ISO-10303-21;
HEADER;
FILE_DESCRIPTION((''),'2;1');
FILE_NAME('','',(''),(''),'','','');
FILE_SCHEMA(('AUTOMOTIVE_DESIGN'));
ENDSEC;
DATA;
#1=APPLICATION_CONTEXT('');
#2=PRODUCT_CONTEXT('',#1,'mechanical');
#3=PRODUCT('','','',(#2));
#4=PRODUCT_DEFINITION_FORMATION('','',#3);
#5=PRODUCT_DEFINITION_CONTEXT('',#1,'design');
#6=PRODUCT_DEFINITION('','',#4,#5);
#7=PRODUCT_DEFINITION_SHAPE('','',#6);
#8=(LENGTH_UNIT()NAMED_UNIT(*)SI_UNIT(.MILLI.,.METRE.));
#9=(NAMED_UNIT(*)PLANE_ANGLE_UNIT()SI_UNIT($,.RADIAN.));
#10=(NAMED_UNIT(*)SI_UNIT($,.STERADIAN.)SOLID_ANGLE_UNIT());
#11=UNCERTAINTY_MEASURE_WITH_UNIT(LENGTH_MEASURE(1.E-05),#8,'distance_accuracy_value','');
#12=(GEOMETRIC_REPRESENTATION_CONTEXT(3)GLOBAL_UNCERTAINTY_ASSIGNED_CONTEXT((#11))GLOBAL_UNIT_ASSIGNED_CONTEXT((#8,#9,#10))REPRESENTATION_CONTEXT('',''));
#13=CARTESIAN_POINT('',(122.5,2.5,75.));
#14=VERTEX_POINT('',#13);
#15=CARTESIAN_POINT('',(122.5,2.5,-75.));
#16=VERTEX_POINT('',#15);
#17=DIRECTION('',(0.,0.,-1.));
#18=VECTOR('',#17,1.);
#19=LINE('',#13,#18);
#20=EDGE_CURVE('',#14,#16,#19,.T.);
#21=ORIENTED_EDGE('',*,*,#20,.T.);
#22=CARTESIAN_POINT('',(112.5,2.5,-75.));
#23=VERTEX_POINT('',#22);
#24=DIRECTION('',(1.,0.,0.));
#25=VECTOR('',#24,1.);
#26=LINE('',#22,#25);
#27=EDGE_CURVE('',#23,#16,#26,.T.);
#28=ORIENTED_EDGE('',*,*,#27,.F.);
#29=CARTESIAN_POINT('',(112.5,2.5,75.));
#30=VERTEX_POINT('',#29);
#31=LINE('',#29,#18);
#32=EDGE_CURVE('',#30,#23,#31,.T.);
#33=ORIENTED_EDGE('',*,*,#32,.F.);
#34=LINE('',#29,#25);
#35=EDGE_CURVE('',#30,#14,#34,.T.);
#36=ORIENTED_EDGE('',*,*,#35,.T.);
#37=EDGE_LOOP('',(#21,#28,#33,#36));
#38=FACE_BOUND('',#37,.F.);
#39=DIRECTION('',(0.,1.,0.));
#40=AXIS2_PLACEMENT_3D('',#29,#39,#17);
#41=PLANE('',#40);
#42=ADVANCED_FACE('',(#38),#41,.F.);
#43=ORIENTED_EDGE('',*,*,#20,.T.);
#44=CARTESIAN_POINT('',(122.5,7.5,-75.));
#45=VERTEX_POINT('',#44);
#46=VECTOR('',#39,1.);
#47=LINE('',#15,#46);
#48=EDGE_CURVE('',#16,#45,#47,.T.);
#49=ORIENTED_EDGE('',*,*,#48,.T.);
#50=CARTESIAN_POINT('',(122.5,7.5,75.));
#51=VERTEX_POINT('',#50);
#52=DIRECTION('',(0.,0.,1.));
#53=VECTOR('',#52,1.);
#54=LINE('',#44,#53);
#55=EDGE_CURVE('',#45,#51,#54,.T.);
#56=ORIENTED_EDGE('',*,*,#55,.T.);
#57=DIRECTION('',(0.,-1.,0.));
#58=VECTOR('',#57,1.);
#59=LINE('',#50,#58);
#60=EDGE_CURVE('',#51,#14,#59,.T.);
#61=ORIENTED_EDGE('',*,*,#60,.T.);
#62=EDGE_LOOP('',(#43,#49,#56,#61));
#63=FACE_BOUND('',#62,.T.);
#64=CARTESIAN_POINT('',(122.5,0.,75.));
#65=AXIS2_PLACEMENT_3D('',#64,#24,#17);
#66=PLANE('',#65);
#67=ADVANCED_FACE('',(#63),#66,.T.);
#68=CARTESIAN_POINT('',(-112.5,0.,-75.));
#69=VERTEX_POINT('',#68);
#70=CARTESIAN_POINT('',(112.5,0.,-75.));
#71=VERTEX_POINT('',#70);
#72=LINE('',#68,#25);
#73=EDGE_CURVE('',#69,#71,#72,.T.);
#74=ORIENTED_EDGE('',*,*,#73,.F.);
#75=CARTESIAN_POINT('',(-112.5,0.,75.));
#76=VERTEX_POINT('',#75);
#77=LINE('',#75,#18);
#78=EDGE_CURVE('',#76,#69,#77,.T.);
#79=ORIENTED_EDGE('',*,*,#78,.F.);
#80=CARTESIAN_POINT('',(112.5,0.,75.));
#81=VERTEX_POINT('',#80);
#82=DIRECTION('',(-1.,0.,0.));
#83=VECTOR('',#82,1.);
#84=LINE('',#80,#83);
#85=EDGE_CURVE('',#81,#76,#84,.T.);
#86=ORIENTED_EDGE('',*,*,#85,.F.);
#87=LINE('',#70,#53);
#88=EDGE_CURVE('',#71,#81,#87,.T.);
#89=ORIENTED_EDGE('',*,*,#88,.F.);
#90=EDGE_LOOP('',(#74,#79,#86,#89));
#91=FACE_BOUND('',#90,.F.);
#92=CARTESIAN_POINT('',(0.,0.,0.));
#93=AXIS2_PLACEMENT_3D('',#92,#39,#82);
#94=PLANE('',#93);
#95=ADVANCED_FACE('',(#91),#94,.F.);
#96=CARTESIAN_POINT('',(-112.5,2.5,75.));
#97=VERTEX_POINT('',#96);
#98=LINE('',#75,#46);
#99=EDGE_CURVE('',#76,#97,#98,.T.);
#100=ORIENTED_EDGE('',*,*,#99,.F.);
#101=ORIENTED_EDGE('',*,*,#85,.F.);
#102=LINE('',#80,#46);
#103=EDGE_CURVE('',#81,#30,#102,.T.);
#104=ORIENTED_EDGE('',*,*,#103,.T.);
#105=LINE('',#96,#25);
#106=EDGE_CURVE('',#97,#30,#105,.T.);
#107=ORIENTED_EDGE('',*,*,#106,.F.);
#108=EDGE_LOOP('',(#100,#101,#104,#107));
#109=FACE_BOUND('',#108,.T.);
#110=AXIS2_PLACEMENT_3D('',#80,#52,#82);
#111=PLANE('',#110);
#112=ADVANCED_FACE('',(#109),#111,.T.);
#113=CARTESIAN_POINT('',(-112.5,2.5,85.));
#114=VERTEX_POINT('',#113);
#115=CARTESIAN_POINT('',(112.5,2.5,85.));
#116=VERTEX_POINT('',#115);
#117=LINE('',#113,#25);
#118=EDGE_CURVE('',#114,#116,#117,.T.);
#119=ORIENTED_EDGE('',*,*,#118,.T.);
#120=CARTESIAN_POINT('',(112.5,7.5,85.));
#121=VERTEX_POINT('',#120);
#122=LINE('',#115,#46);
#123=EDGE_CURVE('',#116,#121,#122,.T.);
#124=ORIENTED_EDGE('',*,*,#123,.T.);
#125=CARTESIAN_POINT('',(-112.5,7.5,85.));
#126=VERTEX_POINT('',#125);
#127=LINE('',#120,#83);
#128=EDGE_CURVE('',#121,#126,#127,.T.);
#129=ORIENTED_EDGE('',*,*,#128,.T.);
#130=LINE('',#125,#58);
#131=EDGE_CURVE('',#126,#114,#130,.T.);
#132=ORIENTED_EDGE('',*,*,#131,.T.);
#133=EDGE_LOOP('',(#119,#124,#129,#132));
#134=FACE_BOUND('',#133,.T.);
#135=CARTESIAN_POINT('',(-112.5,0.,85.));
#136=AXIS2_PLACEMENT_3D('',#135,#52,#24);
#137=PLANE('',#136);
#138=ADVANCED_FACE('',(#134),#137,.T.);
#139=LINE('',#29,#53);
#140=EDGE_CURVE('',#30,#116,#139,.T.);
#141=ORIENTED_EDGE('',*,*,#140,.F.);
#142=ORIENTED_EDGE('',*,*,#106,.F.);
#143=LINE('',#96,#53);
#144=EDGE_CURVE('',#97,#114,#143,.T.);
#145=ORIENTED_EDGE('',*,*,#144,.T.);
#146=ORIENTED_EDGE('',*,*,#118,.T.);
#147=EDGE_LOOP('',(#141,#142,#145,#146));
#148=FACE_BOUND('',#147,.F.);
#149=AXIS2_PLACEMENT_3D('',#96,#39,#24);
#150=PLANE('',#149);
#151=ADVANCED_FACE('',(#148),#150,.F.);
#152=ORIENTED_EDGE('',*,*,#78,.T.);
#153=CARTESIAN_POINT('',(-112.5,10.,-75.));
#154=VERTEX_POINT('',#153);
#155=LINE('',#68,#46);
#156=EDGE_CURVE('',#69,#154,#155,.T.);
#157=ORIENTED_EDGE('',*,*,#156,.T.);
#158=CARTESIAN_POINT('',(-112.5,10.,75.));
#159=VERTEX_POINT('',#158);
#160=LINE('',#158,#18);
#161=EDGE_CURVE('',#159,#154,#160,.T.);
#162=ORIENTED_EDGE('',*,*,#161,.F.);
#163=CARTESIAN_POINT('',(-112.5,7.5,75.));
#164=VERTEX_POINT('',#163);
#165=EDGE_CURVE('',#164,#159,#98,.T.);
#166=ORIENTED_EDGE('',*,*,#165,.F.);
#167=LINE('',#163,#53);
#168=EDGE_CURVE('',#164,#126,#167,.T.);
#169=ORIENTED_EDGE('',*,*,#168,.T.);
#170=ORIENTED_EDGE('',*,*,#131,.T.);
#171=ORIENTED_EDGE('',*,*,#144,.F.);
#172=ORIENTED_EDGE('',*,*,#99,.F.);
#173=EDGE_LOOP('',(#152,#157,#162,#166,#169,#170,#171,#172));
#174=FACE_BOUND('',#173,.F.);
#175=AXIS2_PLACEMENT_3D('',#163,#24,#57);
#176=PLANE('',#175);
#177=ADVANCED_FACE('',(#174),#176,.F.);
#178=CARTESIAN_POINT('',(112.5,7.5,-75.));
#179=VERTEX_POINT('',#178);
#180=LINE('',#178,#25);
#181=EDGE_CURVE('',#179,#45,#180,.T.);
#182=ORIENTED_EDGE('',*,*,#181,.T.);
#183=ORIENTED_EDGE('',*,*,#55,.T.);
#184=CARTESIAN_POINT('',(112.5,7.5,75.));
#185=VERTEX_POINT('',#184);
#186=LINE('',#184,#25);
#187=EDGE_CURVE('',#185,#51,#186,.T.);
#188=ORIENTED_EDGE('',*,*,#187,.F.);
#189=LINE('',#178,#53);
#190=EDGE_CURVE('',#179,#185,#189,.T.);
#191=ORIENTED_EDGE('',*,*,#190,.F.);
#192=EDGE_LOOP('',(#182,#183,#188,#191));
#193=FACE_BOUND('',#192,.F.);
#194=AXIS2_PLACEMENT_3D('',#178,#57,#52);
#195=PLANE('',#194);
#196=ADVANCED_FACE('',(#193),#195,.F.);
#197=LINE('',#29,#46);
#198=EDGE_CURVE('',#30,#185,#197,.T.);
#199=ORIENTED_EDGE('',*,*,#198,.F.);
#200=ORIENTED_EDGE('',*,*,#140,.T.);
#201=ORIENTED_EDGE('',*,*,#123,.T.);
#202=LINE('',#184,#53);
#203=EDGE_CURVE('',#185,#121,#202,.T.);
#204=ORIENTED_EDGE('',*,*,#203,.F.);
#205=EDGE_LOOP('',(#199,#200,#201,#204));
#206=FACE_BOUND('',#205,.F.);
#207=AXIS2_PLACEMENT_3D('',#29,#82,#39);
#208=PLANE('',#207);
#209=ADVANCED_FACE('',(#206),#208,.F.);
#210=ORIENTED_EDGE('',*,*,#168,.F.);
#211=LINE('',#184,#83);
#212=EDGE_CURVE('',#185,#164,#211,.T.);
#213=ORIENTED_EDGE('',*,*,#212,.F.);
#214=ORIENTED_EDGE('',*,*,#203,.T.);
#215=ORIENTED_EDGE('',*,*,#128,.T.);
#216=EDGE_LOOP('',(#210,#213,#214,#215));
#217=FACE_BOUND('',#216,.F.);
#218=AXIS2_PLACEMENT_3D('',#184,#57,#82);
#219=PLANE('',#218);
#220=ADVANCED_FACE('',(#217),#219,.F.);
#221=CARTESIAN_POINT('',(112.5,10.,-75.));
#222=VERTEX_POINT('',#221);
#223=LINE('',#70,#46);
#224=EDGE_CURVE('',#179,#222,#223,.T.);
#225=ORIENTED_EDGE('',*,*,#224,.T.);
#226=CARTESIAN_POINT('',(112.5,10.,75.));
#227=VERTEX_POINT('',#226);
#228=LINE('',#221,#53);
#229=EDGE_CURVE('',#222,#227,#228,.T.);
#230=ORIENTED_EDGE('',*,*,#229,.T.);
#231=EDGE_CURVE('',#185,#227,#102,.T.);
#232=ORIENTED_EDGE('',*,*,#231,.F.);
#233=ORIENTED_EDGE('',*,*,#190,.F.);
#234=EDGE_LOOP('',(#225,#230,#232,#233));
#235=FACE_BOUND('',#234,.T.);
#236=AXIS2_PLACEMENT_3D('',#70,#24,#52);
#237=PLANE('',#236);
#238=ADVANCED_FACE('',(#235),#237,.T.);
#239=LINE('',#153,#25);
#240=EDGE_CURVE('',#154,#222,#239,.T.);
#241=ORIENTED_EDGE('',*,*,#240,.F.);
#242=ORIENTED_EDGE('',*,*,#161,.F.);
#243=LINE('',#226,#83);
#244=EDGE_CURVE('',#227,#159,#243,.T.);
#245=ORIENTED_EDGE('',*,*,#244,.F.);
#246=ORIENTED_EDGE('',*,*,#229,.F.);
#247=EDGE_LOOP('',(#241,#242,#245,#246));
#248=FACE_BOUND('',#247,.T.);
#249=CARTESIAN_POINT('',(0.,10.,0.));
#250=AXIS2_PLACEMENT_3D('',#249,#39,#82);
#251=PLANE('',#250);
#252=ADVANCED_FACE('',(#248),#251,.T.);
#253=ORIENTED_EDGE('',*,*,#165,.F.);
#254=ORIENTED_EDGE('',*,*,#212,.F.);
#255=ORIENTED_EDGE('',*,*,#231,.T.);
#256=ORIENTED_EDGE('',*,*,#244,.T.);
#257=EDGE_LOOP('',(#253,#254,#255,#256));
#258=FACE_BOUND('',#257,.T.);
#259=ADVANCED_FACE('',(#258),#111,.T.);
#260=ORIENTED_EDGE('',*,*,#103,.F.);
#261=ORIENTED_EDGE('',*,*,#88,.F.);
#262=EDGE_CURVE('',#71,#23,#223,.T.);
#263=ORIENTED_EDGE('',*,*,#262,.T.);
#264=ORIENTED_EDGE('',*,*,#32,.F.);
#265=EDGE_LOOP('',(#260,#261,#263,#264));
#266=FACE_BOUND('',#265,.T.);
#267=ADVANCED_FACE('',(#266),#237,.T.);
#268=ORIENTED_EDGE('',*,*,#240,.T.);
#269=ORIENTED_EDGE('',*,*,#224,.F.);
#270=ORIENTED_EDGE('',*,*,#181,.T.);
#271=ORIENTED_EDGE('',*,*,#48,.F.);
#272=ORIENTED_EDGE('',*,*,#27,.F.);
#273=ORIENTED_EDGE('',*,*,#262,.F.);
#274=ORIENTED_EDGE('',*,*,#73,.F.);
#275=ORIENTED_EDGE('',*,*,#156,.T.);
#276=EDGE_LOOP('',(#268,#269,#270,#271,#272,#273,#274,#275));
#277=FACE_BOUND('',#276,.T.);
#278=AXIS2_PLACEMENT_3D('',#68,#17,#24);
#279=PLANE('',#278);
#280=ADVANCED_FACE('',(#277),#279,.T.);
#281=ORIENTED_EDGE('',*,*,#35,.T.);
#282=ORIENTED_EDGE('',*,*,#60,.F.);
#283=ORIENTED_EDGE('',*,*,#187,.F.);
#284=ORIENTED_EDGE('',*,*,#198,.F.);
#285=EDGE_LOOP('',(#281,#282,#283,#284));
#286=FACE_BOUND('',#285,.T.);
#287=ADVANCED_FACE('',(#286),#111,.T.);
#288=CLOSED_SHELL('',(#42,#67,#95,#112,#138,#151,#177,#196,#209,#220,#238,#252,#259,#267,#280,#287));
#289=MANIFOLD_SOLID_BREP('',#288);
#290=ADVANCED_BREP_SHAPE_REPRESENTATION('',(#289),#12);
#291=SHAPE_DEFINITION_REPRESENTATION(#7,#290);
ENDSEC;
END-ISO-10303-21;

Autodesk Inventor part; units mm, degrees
ref_plane "YZ Plane" through (0, 0, 0) normal (1, 0, 0) x (0, 1, 0)
ref_plane "XZ Plane" through (0, 0, 0) normal (0, 1, 0) x (-1, 0, 0)
ref_plane "XY Plane" through (0, 0, 0) normal (0, 0, 1) x (1, 0, 0)
sketch "Sketch1" plane through (0, 0, 0) normal (0, 1, 0) x (-1, 0, 0)
  line L0 (-112.5, 75) -> (112.5, 75)
  line L1 (112.5, 75) -> (112.5, -75)
  line L2 (112.5, -75) -> (-112.5, -75)
  line L3 (-112.5, -75) -> (-112.5, 75)
  line L4 (-112.5, 75) -> (112.5, -75) construction
  line L5 (112.5, 75) -> (-112.5, -75) construction
  point P0 (0, 0)
  dimension "d0" = 225
  dimension "d1" = 150
extrude "Extrusion1" add sketch "Sketch1" along normal blind 10
sketch "Sketch2" plane through (112.5, 0, 75) normal (1, 0, 0) x (0, 0, -1)
  line L0 (0, 2.5) -> (150, 2.5)
  line L1 (150, 2.5) -> (150, 7.5)
  line L2 (150, 7.5) -> (0, 7.5)
  line L3 (0, 7.5) -> (0, 2.5)
  point P0 (75, 0)
  point P1 (0, 5)
  dimension "d4" = 150
  dimension "d5" = 5
extrude "Extrusion2" add sketch "Sketch2" along normal blind 10
sketch "Sketch3" plane through (-112.5, 0, 75) normal (0, 0, 1) x (1, 0, 0)
  line L0 (0, 2.5) -> (225, 2.5)
  line L1 (225, 2.5) -> (225, 7.5)
  line L2 (225, 7.5) -> (0, 7.5)
  line L3 (0, 7.5) -> (0, 2.5)
  point P0 (112.5, 0)
  dimension "d8" = 225
  dimension "d9" = 5
extrude "Extrusion3" add sketch "Sketch3" along normal blind 10
properties part number "TSU_Baseplate"
